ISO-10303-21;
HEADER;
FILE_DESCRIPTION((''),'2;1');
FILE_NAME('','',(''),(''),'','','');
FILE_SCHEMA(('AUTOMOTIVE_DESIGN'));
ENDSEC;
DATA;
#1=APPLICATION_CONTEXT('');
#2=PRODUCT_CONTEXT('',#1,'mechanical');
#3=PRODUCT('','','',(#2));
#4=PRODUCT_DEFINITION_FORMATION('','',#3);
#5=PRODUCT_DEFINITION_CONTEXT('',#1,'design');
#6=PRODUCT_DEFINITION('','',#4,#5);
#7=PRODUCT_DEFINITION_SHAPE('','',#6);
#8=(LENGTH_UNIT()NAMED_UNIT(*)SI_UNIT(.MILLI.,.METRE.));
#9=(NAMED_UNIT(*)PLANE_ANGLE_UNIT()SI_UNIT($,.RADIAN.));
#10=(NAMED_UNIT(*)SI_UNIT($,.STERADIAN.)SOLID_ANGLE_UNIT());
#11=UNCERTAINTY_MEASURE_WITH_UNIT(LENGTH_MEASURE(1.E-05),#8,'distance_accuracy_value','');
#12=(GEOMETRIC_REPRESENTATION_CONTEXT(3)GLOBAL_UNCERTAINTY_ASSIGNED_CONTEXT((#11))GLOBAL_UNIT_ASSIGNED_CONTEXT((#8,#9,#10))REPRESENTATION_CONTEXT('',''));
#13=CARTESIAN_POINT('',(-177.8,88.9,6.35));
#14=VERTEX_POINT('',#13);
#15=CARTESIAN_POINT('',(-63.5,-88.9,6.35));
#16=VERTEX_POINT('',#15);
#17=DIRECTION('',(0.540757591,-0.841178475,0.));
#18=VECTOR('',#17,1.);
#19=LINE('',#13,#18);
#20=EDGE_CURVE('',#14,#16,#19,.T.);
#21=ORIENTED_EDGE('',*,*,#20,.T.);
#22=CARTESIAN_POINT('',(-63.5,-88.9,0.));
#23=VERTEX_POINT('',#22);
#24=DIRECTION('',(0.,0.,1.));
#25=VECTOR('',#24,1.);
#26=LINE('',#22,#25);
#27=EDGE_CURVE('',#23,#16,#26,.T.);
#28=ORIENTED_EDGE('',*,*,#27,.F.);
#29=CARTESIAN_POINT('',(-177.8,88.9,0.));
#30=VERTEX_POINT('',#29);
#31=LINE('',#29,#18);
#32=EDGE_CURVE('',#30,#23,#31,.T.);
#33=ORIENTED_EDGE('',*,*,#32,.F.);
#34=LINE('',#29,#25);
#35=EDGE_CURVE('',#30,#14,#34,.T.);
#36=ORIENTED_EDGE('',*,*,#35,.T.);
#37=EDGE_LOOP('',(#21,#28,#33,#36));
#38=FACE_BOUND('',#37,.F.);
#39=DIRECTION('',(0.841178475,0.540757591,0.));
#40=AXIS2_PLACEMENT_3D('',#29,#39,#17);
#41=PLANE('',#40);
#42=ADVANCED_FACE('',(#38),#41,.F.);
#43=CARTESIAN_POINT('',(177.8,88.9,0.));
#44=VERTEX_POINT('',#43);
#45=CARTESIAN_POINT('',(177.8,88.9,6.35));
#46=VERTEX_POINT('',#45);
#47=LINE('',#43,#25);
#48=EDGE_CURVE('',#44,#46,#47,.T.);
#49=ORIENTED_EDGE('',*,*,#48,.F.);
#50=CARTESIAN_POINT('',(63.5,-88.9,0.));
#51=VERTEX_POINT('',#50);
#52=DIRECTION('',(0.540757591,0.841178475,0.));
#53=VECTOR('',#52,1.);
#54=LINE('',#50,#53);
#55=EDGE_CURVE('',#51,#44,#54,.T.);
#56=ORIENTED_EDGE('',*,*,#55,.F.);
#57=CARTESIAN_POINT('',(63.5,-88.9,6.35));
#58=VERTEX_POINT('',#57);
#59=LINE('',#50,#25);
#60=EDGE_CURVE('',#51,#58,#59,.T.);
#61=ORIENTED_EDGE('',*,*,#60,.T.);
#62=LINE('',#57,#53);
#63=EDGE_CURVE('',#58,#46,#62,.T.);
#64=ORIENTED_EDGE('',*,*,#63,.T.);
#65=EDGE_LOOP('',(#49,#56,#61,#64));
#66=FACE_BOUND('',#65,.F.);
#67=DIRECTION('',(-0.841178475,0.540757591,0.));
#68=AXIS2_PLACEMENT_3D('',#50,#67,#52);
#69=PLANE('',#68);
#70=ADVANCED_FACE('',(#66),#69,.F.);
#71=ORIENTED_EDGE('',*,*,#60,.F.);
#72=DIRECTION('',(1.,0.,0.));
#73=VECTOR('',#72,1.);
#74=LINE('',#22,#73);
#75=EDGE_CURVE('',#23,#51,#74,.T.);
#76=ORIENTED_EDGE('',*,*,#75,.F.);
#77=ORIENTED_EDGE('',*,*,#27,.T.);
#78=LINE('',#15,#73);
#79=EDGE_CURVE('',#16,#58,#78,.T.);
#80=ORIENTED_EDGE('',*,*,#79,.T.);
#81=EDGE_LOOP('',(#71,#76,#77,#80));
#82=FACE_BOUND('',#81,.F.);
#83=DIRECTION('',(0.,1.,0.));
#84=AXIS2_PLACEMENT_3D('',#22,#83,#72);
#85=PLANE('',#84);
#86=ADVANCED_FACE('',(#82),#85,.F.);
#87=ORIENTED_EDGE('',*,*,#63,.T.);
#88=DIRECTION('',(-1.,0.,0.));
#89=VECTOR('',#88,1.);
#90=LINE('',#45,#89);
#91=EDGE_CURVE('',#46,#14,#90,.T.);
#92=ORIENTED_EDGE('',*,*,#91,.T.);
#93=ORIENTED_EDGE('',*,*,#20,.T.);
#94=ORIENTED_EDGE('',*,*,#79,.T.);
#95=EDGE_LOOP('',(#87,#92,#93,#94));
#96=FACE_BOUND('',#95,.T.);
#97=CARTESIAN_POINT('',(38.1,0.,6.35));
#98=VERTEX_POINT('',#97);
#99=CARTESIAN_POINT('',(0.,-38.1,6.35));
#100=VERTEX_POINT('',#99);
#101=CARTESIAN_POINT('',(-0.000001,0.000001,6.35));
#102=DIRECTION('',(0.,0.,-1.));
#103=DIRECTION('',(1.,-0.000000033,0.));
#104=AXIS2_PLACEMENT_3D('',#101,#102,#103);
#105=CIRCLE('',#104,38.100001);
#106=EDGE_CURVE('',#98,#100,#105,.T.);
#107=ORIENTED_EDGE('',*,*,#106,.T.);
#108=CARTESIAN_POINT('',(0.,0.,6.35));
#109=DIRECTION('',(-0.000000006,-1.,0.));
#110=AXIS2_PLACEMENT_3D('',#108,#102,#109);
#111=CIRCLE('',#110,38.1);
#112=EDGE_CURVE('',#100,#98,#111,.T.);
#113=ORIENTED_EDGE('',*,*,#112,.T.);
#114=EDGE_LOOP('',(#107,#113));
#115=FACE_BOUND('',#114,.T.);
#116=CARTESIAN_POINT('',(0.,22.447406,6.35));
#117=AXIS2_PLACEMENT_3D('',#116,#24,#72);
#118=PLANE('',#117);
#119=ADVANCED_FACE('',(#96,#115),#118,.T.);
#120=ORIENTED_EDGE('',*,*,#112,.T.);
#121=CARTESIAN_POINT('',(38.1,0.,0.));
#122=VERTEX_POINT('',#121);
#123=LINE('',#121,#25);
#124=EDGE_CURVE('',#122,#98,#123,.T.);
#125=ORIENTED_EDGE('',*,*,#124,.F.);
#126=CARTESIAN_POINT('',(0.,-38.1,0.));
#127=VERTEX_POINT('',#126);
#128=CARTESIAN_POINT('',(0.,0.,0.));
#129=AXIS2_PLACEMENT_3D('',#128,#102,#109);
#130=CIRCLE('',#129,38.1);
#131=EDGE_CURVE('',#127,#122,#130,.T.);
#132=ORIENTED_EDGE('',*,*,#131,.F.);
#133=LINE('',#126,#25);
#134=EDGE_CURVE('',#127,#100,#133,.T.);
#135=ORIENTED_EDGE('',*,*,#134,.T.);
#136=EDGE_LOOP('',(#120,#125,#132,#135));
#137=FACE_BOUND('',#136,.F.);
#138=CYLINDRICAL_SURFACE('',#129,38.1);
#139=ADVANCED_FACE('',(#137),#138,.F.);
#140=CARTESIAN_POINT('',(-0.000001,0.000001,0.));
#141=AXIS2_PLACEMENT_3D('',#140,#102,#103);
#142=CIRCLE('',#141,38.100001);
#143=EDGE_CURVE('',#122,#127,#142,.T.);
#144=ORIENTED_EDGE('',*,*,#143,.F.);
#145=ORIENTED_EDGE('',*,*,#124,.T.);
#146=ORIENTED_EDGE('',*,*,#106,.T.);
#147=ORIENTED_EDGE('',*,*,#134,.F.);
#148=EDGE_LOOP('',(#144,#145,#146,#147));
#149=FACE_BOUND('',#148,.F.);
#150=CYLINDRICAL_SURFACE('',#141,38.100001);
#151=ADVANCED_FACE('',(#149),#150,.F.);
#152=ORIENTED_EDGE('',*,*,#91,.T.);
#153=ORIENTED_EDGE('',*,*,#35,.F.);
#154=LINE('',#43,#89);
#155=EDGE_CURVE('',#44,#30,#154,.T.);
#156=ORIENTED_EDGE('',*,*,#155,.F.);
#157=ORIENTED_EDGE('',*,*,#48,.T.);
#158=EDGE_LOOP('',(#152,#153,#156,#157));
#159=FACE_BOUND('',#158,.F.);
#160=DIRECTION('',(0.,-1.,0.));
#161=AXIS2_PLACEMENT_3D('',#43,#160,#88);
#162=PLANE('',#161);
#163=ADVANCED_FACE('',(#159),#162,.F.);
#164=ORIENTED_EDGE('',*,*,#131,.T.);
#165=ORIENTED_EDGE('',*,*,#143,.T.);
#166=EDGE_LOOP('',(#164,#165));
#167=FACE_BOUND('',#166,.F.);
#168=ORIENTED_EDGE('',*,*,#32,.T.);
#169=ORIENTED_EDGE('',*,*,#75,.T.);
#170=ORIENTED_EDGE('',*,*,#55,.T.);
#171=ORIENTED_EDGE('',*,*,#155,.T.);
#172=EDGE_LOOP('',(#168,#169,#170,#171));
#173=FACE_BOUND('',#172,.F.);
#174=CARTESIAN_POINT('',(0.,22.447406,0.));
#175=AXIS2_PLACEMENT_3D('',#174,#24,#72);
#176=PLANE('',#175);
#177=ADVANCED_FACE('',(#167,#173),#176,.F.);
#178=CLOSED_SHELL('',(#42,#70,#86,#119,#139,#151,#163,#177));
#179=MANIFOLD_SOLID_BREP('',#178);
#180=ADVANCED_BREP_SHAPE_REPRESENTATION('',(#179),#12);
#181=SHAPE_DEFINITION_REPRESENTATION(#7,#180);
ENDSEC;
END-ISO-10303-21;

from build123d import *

# Parameters (mm, degrees)
F1_DEPTH = 6.35


with BuildPart() as f1:
    # F0 (on Top) → F1 (new body)
    with BuildSketch(Plane.XY):
        Polygon((-63.5, -88.9), (0, -88.9), (63.5, -88.9), (177.8, 88.9), (0, 88.9), (-177.8, 88.9), align=None)
        with BuildLine():
            ThreePointArc((0, -38.1), (-26.940768, 26.940768), (38.1, 0))
            ThreePointArc((38.1, 0), (26.940768, -26.940768), (0, -38.1))
        make_face(mode=Mode.SUBTRACT)
    extrude(amount=F1_DEPTH)


with BuildPart() as f2_1:
    # F2: copy of F1
    add(f1.part)


solid = f1.part
